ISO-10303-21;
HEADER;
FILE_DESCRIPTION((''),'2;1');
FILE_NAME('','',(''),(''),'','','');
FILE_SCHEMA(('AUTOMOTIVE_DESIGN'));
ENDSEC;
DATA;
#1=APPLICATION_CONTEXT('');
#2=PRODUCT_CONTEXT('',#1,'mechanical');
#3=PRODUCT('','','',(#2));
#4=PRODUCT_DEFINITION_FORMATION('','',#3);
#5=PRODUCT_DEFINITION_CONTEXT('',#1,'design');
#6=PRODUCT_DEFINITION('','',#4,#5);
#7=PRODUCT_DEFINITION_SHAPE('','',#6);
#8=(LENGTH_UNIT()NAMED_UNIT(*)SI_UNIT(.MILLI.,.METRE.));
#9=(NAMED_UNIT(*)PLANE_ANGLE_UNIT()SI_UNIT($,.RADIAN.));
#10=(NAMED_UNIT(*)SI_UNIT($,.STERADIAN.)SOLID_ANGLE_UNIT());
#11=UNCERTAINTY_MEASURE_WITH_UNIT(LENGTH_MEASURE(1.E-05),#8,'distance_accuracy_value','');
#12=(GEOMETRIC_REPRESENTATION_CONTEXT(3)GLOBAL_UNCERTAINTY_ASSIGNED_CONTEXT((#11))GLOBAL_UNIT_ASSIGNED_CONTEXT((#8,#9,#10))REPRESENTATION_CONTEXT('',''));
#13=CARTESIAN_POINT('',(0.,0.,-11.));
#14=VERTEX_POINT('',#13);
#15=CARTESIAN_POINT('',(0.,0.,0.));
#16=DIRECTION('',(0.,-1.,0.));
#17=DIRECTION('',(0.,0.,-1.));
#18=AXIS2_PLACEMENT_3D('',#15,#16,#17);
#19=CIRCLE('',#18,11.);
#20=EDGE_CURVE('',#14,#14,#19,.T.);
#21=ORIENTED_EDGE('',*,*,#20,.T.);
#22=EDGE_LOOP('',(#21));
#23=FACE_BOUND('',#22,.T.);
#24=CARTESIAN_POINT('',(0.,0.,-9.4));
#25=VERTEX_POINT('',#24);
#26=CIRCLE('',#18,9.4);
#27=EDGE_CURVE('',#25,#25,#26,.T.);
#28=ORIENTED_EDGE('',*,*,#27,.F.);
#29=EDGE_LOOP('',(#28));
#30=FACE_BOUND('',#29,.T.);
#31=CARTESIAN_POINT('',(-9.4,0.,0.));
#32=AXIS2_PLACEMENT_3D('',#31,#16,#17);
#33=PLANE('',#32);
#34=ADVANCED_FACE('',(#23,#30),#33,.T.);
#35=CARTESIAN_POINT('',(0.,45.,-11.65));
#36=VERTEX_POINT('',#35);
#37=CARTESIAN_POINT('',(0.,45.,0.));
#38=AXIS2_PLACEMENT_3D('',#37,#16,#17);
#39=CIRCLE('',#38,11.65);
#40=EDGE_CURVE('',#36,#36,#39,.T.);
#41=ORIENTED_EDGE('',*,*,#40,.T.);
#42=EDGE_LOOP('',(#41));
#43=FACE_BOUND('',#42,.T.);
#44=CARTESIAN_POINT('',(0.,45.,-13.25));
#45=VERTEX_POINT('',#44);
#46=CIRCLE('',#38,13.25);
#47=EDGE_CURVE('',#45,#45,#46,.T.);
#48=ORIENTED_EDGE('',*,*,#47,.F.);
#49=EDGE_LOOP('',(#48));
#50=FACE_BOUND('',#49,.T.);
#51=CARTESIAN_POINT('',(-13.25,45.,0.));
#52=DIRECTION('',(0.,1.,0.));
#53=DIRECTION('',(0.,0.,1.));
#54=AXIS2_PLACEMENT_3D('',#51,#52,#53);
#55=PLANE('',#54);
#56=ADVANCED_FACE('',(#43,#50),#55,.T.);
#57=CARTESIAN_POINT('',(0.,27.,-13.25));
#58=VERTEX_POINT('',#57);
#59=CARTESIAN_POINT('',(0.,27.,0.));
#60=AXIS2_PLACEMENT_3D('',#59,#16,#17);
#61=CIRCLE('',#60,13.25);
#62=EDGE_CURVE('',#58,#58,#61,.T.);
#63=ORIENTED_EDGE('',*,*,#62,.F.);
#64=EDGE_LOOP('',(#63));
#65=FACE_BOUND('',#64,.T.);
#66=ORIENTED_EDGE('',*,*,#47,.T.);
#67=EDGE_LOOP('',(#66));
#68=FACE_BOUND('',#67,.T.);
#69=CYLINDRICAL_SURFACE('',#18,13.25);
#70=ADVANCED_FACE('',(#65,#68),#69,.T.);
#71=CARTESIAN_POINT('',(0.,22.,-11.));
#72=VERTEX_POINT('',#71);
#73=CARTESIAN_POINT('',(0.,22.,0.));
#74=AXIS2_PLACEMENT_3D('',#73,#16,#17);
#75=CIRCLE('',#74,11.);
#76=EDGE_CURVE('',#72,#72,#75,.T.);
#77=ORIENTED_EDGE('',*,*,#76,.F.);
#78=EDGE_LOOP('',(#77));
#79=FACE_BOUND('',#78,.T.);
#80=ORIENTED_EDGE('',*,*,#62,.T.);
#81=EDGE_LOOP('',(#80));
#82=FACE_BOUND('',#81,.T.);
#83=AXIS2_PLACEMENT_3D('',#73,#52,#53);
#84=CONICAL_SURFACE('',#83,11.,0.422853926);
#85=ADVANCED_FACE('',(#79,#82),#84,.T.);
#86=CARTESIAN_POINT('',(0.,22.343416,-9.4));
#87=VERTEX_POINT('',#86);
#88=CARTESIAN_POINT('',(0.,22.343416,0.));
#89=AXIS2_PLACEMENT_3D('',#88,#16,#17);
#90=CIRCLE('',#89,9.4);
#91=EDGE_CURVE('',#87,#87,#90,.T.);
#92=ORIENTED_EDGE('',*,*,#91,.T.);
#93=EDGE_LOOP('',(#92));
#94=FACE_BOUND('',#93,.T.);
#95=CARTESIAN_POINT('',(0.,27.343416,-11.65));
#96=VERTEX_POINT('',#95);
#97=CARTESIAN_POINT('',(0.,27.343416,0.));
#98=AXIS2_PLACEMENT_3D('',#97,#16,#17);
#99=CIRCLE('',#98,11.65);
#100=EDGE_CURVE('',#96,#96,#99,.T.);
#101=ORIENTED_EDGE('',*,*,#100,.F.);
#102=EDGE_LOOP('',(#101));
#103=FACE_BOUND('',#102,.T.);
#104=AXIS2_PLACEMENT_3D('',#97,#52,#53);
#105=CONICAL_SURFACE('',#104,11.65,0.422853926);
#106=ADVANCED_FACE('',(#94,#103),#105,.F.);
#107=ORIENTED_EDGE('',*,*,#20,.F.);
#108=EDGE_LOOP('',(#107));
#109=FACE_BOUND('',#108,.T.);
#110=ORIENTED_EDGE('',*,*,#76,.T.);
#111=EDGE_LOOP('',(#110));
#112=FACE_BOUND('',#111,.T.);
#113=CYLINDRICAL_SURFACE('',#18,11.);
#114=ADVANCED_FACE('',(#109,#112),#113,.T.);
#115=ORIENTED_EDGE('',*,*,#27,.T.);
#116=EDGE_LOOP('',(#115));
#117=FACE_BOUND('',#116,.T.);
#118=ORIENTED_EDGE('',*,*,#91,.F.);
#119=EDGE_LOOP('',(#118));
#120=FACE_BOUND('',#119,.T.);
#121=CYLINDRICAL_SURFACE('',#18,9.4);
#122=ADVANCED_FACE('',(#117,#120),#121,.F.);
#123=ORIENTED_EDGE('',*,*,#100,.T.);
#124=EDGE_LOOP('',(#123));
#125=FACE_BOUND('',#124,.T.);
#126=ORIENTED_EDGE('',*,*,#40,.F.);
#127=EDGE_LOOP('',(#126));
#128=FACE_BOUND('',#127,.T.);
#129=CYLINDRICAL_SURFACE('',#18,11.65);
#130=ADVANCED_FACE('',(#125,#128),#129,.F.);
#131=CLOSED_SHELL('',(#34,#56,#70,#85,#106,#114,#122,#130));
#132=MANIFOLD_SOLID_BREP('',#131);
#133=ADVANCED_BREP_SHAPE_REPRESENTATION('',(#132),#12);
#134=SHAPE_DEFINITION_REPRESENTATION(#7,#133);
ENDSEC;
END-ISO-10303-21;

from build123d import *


with BuildPart() as part:
    # Sketch1 → Revolve1 (revolve)
    with BuildSketch(Plane.XY, mode=Mode.PRIVATE) as revolve1_sk:
        Polygon((-9.4, 0), (-11, 0), (-11, 22), (-13.25, 27), (-13.25, 45), (-11.65, 45), (-11.65, 27.343415502), (-9.4, 22.343415502), align=None)
    revolve(revolve1_sk.sketch.rotate(Axis((0, 0, 0), (0, 1, 0)), 270), axis=Axis((0, 0, 0), (0, 1, 0)))


solid = part.part
